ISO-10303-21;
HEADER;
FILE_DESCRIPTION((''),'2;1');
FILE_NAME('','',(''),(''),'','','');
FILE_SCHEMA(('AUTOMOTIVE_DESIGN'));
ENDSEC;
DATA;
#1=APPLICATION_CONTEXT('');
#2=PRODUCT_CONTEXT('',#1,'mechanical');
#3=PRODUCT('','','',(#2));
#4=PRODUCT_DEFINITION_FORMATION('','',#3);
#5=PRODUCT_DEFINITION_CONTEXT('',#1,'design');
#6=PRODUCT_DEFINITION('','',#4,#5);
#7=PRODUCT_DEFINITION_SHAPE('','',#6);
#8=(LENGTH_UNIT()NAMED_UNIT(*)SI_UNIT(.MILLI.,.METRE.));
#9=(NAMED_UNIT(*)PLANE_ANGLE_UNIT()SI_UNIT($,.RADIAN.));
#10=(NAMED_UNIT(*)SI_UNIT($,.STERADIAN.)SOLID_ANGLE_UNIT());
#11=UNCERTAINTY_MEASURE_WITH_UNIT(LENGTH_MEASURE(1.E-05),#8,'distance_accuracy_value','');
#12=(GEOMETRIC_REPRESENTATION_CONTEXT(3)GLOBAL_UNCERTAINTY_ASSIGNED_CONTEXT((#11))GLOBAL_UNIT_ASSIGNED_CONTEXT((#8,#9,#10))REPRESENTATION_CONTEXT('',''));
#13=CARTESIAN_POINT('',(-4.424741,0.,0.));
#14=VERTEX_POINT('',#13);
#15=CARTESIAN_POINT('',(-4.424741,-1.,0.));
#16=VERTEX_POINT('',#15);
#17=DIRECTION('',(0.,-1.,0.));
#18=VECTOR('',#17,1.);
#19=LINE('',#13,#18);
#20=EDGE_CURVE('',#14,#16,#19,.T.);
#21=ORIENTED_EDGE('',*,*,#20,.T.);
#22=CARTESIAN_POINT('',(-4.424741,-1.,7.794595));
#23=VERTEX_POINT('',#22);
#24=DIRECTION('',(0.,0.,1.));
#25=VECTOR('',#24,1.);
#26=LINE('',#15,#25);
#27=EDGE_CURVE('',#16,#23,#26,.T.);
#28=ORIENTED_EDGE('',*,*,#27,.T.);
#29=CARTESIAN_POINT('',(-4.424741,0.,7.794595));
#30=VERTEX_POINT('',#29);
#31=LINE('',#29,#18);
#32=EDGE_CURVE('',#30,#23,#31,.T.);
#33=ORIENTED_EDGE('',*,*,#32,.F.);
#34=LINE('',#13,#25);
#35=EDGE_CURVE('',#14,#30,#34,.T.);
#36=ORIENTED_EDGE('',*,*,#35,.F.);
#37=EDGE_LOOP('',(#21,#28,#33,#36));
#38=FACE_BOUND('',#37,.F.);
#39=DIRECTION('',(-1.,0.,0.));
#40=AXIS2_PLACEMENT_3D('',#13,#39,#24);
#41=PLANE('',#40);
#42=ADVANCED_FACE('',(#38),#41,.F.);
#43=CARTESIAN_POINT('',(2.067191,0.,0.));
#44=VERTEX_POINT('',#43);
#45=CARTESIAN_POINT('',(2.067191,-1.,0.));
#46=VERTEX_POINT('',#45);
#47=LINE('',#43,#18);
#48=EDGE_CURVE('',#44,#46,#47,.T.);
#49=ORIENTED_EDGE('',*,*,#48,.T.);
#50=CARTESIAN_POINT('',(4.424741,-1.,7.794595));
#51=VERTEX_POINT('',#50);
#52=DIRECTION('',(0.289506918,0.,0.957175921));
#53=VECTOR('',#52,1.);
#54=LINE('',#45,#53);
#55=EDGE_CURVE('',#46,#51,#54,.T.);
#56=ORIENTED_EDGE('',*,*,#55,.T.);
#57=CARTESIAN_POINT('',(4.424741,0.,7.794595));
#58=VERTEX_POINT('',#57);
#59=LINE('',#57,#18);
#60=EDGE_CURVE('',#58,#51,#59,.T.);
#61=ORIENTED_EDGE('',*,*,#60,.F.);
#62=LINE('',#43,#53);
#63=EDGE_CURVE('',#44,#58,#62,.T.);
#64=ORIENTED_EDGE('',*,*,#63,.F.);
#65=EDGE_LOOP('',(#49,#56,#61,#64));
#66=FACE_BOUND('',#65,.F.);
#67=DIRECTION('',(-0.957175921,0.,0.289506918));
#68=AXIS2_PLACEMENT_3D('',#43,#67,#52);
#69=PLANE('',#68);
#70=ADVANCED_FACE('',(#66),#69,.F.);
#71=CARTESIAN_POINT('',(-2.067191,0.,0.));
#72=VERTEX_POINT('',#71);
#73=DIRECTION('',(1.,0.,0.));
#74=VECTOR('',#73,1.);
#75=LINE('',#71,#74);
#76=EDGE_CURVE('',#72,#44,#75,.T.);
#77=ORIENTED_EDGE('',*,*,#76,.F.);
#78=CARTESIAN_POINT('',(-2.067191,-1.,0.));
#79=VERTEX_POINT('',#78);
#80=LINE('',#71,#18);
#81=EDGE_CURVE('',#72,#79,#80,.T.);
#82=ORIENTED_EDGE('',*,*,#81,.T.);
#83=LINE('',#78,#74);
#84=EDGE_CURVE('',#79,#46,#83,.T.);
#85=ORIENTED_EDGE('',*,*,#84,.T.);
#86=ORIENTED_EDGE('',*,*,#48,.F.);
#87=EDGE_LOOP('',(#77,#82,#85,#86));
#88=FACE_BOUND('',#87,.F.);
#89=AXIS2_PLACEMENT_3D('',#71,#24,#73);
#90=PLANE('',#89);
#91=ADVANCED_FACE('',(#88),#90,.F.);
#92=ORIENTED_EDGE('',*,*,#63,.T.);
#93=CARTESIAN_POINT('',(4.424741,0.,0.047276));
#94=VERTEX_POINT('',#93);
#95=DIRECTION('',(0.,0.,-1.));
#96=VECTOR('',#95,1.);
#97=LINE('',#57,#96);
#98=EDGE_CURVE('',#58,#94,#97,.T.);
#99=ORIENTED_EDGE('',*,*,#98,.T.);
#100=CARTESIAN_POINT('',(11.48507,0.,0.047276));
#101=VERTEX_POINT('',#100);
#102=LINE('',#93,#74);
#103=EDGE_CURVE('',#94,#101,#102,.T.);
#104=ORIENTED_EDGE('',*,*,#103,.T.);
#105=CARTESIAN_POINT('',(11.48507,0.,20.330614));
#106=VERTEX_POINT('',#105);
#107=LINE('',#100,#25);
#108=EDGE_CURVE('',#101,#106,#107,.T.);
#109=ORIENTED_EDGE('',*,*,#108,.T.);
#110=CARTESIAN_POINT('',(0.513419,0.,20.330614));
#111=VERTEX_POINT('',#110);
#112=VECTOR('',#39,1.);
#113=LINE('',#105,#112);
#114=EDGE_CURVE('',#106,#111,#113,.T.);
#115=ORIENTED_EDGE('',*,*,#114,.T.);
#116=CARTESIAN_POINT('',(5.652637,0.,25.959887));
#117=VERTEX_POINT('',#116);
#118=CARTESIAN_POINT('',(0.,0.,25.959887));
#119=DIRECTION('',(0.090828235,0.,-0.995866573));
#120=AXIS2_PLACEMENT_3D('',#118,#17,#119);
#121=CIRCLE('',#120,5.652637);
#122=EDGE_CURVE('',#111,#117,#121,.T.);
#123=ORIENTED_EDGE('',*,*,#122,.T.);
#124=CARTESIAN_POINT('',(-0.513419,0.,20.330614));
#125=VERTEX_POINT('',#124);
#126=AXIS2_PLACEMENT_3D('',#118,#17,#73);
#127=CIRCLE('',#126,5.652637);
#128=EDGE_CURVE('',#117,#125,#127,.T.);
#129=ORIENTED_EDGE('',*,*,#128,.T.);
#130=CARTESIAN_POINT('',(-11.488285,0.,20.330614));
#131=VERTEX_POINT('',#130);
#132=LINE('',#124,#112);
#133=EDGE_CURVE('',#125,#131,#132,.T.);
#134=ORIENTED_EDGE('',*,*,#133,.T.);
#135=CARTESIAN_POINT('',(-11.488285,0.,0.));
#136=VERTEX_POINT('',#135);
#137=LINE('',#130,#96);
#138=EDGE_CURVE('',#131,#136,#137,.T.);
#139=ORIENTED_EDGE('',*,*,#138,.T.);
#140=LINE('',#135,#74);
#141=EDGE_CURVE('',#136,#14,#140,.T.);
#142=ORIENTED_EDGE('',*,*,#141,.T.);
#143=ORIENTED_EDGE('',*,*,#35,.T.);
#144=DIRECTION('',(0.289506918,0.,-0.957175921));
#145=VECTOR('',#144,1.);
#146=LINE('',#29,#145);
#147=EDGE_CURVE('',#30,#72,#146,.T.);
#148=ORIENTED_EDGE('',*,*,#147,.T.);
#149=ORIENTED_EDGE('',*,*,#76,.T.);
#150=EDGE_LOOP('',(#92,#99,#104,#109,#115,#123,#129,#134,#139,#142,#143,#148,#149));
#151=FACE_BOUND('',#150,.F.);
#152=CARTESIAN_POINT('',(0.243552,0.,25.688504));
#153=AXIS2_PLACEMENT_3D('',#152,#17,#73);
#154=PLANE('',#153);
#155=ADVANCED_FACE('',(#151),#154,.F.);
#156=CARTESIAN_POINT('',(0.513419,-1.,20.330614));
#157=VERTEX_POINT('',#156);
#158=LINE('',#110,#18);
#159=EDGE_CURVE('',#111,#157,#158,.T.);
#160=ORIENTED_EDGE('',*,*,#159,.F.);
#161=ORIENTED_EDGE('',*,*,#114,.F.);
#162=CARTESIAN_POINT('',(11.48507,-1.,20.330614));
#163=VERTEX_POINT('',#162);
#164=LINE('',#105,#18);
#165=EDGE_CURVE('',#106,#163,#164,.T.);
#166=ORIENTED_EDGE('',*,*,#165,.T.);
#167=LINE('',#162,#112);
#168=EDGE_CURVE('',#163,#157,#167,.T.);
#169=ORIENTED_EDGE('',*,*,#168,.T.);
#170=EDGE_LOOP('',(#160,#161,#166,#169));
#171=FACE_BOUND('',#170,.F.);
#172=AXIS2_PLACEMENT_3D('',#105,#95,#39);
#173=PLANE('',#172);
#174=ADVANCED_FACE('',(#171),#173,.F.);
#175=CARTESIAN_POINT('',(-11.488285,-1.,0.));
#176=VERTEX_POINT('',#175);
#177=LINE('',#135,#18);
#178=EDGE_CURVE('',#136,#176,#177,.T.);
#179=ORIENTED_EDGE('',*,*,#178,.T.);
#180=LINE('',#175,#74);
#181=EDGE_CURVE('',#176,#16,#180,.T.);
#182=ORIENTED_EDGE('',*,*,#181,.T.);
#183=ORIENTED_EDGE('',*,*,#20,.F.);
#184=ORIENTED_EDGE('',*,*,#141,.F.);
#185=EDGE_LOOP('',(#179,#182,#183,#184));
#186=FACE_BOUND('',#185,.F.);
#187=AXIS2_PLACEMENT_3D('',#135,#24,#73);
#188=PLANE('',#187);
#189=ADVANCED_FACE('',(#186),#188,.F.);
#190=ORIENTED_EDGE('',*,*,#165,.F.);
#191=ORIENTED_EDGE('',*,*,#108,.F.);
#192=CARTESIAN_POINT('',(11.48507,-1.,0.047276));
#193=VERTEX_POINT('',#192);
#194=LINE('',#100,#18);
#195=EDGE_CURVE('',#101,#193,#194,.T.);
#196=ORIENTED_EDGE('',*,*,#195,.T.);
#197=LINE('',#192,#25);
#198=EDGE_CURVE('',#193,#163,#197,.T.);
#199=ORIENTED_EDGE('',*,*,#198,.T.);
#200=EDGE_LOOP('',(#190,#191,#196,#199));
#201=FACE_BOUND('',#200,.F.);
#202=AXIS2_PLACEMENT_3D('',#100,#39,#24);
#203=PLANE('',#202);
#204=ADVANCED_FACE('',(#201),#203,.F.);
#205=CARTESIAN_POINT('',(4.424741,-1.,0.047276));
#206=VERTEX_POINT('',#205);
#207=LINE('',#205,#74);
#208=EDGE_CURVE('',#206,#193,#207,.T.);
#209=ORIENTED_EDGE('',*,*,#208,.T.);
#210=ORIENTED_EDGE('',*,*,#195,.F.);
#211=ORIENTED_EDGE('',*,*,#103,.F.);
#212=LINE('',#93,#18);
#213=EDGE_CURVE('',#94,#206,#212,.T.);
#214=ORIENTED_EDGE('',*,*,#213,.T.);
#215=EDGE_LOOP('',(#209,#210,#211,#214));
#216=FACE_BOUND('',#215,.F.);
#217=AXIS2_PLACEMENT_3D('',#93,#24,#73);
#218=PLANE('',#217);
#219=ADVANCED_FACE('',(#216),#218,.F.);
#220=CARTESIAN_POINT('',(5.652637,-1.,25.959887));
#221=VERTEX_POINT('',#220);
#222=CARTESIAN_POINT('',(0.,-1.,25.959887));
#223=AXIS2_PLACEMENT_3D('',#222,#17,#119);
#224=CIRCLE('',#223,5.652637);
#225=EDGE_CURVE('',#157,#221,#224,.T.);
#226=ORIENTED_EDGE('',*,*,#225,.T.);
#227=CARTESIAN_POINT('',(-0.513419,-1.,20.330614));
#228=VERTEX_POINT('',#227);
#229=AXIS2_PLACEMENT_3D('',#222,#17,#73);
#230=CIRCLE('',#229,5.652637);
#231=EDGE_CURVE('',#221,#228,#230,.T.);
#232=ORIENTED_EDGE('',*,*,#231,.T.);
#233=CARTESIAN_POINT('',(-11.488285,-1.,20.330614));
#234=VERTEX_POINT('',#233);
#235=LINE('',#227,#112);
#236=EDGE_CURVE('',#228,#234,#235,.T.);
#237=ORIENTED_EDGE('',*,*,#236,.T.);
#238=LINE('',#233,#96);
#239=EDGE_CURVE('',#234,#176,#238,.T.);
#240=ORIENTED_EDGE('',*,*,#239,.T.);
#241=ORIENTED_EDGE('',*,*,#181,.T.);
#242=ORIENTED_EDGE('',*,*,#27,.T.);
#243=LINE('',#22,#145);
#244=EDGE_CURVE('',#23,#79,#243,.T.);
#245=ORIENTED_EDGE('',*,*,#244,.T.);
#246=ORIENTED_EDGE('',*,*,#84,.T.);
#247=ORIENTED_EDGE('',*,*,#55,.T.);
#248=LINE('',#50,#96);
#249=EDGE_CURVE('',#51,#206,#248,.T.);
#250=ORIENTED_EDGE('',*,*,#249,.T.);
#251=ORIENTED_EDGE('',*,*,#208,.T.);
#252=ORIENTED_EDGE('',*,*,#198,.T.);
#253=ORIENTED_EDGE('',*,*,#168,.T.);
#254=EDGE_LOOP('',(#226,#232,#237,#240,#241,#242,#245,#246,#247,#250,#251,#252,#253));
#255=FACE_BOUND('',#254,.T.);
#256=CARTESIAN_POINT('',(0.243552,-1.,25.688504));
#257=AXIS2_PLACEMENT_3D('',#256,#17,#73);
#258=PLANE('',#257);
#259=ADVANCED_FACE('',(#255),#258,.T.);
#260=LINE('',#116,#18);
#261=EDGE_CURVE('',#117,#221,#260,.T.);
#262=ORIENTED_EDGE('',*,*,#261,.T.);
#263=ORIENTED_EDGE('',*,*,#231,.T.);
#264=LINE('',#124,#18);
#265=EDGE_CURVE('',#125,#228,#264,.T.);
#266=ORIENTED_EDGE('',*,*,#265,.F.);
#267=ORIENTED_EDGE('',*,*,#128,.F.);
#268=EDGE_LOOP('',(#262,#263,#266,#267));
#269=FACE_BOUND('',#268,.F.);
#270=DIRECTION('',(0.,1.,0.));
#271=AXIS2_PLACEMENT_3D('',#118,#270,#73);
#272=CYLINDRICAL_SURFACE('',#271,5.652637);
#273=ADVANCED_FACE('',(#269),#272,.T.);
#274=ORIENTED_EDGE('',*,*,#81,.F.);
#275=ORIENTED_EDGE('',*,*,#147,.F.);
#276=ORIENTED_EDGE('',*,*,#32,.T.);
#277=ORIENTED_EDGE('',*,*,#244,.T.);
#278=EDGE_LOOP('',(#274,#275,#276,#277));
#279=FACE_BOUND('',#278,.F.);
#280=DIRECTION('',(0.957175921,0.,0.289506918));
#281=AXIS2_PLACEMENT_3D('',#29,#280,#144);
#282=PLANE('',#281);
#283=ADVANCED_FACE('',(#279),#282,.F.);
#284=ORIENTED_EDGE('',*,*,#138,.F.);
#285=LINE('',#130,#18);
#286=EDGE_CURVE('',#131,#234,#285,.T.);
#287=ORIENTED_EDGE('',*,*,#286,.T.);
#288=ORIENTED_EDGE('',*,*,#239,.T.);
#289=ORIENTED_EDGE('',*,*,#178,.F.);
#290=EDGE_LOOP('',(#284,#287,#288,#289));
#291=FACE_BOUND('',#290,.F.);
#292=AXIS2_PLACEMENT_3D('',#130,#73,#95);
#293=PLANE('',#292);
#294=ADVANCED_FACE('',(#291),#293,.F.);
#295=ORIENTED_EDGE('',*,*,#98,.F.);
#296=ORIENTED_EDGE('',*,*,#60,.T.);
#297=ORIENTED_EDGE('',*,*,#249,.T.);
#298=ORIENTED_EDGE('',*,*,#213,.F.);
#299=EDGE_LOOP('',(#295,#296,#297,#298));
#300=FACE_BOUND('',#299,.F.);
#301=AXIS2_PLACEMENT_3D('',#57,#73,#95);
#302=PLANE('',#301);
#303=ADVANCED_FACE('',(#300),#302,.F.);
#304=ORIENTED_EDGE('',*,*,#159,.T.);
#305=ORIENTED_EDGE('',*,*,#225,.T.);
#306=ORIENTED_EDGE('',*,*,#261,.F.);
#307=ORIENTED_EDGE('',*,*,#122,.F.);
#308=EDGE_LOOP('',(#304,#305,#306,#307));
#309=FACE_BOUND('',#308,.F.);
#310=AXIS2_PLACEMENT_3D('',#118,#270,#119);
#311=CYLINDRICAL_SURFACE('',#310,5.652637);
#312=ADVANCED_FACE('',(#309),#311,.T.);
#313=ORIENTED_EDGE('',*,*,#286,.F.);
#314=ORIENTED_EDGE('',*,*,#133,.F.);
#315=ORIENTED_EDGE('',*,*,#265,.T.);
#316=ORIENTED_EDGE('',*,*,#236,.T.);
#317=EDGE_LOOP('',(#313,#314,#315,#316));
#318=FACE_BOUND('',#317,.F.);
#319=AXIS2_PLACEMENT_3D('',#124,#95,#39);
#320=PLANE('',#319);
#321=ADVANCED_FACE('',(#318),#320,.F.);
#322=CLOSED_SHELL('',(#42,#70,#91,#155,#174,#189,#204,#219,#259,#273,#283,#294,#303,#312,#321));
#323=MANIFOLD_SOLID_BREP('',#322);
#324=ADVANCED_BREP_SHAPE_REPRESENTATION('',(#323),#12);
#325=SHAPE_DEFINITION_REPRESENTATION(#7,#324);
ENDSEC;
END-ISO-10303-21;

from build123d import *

# Parameters (mm, degrees)
F1_DEPTH = 1


with BuildPart() as f1:
    # F0 (on Front) → F1 (new body)
    with BuildSketch(Plane.XZ):
        with BuildLine():
            ThreePointArc((0.5134190636, 20.3306143382), (4.1745945423, 22.1487100844), (5.6526372145, 25.9598867907))
            ThreePointArc((5.6526372145, 25.9598867907), (-3.8111767063, 30.134481333), (-0.5134190636, 20.3306143382))
            Line((-0.5134190636, 20.3306143382), (0.5134190636, 20.3306143382))
        make_face()
        with BuildLine():
            Line((0.5134190636, 20.3306143382), (-0.5134190636, 20.3306143382))
            ThreePointArc((-0.5134190636, 20.3306143382), (0, 20.3072495762), (0.5134190636, 20.3306143382))
        make_face()
        with BuildLine():
            ThreePointArc((0.5134190636, 20.3306143382), (0, 20.3072495762), (-0.5134190636, 20.3306143382))
            Line((-0.5134190636, 20.3306143382), (-11.4882850616, 20.3306143382))
            Line((-11.4882850616, 20.3306143382), (-11.4882850616, 0))
            Line((-11.4882850616, 0), (-4.4247405394, 0))
            Line((-4.4247405394, 0), (-4.4247405394, 7.7945953777))
            Line((-4.4247405394, 7.7945953777), (-2.0671913816, 0))
            Line((-2.0671913816, 0), (2.0671913816, 0))
            Line((2.0671913816, 0), (4.4247405394, 7.7945953777))
            Line((4.4247405394, 7.7945953777), (4.4247405394, 0.0472759202))
            Line((4.4247405394, 0.0472759202), (11.4850704372, 0.0472759202))
            Line((11.4850704372, 0.0472759202), (11.4850704372, 20.3306143382))
            Line((11.4850704372, 20.3306143382), (0.5134190636, 20.3306143382))
        make_face()
    extrude(amount=F1_DEPTH)


solid = f1.part
